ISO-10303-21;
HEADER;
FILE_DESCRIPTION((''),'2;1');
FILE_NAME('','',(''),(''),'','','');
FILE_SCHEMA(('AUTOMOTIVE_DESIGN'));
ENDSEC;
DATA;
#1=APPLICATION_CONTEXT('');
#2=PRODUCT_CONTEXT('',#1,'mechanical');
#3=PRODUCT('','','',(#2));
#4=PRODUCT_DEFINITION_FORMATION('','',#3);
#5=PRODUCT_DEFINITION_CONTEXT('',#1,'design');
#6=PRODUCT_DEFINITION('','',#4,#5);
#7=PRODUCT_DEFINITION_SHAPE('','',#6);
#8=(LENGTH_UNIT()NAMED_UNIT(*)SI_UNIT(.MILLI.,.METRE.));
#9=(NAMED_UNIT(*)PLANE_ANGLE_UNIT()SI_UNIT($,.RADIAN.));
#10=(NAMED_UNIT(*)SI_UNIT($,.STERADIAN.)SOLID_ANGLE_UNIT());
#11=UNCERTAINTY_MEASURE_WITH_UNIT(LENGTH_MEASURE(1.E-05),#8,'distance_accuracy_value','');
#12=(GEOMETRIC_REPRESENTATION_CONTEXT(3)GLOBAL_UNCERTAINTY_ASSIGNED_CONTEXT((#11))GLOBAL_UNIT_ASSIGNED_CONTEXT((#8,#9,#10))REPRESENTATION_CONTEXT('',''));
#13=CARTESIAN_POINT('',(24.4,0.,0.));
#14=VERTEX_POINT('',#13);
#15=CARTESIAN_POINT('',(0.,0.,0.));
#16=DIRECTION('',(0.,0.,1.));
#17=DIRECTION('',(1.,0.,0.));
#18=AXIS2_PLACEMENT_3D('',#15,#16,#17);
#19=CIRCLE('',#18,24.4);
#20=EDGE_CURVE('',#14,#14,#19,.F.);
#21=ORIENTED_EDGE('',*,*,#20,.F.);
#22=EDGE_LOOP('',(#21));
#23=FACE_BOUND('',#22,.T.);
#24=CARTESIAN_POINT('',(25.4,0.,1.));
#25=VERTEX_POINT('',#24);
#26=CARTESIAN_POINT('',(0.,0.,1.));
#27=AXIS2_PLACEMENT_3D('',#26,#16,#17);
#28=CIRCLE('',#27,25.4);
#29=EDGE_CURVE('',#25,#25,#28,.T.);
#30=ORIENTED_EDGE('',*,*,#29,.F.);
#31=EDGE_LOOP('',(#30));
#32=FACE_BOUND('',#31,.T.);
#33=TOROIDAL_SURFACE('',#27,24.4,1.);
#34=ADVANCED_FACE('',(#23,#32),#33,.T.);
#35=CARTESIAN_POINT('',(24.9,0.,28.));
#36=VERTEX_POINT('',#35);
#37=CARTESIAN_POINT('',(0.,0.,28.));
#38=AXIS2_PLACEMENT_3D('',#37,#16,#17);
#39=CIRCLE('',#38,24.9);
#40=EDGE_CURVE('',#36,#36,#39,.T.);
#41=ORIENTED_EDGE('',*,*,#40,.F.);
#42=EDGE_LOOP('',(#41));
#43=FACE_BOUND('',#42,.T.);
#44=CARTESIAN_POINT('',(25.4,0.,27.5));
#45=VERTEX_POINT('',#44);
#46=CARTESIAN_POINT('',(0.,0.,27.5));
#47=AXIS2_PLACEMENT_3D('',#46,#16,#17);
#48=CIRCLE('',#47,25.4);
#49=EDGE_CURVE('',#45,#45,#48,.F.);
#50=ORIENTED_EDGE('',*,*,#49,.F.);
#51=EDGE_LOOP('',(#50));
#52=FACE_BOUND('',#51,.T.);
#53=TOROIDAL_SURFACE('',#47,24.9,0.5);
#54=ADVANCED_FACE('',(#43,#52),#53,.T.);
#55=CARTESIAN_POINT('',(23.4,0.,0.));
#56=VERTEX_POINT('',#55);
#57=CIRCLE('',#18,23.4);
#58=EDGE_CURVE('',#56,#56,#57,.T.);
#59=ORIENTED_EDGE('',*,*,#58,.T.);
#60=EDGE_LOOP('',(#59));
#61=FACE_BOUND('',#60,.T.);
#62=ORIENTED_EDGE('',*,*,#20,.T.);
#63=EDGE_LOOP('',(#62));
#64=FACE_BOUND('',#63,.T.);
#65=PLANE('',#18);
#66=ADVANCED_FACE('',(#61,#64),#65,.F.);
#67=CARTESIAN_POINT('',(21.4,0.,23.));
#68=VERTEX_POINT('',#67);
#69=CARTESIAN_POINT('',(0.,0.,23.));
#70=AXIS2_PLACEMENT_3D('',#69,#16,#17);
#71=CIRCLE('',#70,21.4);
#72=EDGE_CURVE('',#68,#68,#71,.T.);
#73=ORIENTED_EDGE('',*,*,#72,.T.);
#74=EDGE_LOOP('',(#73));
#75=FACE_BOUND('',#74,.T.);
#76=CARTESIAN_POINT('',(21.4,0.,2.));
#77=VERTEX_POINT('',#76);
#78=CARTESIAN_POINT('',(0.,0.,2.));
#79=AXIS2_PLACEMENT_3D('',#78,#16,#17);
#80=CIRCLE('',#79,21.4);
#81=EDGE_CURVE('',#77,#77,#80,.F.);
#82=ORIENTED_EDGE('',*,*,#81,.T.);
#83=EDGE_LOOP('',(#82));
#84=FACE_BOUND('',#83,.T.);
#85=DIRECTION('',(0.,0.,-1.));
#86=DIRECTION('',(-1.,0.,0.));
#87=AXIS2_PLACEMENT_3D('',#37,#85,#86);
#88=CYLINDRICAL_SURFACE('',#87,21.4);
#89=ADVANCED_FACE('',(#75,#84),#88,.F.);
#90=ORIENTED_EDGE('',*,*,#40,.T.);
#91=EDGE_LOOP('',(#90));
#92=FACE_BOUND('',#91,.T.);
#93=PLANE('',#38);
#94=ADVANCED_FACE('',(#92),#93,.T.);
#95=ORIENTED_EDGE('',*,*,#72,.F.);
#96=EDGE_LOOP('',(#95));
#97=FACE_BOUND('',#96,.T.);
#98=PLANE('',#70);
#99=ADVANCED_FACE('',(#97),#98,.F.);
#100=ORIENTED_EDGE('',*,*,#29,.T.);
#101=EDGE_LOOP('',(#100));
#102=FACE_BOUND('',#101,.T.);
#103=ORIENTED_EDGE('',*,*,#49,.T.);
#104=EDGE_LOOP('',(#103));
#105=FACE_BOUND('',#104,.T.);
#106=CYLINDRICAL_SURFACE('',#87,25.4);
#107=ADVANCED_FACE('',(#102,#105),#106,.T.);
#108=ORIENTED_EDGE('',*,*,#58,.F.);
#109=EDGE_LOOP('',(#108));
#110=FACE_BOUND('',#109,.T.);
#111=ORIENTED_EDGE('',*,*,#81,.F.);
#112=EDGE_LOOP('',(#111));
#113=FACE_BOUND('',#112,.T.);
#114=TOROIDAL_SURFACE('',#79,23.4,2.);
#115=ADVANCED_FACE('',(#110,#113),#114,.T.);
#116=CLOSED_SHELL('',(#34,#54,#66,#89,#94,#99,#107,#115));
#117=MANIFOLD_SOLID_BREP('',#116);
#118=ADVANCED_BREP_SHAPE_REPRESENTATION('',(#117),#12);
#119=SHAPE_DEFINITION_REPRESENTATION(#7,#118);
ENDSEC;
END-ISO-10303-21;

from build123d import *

# Parameters (mm, degrees)
SKETCH1_R           = 25.4
SKETCH1_R_2         = 21.4
BOSS_EXTRUDE1_DEPTH = 28
SKETCH2_R           = 21.4
BOSS_EXTRUDE3_DEPTH = 5
FILLET3_R           = 2
FILLET4_R           = 1
FILLET5_R           = 0.5


with BuildPart() as part:
    # Sketch1 → Boss-Extrude1 (new body)
    with BuildSketch(Plane.XY):
        Circle(SKETCH1_R)
        Circle(SKETCH1_R_2, mode=Mode.SUBTRACT)
    extrude(amount=BOSS_EXTRUDE1_DEPTH)

    # Sketch2 → Boss-Extrude3 (add)
    with BuildSketch(Plane.XY.offset(28)):
        Circle(SKETCH2_R)
    extrude(amount=-BOSS_EXTRUDE3_DEPTH)

    # Fillet3
    fillet3_edges = [part.edges().sort_by_distance(p)[0] for p in [
        (-21.4, 0, 0),
    ]]
    fillet(fillet3_edges, radius=FILLET3_R)

    # Fillet4
    fillet4_edges = [part.edges().sort_by_distance(p)[0] for p in [
        (-25.4, 0, 0),
    ]]
    fillet(fillet4_edges, radius=FILLET4_R)

    # Fillet5
    fillet5_edges = [part.edges().sort_by_distance(p)[0] for p in [
        (-25.4, 0, 28),
    ]]
    fillet(fillet5_edges, radius=FILLET5_R)


solid = part.part
